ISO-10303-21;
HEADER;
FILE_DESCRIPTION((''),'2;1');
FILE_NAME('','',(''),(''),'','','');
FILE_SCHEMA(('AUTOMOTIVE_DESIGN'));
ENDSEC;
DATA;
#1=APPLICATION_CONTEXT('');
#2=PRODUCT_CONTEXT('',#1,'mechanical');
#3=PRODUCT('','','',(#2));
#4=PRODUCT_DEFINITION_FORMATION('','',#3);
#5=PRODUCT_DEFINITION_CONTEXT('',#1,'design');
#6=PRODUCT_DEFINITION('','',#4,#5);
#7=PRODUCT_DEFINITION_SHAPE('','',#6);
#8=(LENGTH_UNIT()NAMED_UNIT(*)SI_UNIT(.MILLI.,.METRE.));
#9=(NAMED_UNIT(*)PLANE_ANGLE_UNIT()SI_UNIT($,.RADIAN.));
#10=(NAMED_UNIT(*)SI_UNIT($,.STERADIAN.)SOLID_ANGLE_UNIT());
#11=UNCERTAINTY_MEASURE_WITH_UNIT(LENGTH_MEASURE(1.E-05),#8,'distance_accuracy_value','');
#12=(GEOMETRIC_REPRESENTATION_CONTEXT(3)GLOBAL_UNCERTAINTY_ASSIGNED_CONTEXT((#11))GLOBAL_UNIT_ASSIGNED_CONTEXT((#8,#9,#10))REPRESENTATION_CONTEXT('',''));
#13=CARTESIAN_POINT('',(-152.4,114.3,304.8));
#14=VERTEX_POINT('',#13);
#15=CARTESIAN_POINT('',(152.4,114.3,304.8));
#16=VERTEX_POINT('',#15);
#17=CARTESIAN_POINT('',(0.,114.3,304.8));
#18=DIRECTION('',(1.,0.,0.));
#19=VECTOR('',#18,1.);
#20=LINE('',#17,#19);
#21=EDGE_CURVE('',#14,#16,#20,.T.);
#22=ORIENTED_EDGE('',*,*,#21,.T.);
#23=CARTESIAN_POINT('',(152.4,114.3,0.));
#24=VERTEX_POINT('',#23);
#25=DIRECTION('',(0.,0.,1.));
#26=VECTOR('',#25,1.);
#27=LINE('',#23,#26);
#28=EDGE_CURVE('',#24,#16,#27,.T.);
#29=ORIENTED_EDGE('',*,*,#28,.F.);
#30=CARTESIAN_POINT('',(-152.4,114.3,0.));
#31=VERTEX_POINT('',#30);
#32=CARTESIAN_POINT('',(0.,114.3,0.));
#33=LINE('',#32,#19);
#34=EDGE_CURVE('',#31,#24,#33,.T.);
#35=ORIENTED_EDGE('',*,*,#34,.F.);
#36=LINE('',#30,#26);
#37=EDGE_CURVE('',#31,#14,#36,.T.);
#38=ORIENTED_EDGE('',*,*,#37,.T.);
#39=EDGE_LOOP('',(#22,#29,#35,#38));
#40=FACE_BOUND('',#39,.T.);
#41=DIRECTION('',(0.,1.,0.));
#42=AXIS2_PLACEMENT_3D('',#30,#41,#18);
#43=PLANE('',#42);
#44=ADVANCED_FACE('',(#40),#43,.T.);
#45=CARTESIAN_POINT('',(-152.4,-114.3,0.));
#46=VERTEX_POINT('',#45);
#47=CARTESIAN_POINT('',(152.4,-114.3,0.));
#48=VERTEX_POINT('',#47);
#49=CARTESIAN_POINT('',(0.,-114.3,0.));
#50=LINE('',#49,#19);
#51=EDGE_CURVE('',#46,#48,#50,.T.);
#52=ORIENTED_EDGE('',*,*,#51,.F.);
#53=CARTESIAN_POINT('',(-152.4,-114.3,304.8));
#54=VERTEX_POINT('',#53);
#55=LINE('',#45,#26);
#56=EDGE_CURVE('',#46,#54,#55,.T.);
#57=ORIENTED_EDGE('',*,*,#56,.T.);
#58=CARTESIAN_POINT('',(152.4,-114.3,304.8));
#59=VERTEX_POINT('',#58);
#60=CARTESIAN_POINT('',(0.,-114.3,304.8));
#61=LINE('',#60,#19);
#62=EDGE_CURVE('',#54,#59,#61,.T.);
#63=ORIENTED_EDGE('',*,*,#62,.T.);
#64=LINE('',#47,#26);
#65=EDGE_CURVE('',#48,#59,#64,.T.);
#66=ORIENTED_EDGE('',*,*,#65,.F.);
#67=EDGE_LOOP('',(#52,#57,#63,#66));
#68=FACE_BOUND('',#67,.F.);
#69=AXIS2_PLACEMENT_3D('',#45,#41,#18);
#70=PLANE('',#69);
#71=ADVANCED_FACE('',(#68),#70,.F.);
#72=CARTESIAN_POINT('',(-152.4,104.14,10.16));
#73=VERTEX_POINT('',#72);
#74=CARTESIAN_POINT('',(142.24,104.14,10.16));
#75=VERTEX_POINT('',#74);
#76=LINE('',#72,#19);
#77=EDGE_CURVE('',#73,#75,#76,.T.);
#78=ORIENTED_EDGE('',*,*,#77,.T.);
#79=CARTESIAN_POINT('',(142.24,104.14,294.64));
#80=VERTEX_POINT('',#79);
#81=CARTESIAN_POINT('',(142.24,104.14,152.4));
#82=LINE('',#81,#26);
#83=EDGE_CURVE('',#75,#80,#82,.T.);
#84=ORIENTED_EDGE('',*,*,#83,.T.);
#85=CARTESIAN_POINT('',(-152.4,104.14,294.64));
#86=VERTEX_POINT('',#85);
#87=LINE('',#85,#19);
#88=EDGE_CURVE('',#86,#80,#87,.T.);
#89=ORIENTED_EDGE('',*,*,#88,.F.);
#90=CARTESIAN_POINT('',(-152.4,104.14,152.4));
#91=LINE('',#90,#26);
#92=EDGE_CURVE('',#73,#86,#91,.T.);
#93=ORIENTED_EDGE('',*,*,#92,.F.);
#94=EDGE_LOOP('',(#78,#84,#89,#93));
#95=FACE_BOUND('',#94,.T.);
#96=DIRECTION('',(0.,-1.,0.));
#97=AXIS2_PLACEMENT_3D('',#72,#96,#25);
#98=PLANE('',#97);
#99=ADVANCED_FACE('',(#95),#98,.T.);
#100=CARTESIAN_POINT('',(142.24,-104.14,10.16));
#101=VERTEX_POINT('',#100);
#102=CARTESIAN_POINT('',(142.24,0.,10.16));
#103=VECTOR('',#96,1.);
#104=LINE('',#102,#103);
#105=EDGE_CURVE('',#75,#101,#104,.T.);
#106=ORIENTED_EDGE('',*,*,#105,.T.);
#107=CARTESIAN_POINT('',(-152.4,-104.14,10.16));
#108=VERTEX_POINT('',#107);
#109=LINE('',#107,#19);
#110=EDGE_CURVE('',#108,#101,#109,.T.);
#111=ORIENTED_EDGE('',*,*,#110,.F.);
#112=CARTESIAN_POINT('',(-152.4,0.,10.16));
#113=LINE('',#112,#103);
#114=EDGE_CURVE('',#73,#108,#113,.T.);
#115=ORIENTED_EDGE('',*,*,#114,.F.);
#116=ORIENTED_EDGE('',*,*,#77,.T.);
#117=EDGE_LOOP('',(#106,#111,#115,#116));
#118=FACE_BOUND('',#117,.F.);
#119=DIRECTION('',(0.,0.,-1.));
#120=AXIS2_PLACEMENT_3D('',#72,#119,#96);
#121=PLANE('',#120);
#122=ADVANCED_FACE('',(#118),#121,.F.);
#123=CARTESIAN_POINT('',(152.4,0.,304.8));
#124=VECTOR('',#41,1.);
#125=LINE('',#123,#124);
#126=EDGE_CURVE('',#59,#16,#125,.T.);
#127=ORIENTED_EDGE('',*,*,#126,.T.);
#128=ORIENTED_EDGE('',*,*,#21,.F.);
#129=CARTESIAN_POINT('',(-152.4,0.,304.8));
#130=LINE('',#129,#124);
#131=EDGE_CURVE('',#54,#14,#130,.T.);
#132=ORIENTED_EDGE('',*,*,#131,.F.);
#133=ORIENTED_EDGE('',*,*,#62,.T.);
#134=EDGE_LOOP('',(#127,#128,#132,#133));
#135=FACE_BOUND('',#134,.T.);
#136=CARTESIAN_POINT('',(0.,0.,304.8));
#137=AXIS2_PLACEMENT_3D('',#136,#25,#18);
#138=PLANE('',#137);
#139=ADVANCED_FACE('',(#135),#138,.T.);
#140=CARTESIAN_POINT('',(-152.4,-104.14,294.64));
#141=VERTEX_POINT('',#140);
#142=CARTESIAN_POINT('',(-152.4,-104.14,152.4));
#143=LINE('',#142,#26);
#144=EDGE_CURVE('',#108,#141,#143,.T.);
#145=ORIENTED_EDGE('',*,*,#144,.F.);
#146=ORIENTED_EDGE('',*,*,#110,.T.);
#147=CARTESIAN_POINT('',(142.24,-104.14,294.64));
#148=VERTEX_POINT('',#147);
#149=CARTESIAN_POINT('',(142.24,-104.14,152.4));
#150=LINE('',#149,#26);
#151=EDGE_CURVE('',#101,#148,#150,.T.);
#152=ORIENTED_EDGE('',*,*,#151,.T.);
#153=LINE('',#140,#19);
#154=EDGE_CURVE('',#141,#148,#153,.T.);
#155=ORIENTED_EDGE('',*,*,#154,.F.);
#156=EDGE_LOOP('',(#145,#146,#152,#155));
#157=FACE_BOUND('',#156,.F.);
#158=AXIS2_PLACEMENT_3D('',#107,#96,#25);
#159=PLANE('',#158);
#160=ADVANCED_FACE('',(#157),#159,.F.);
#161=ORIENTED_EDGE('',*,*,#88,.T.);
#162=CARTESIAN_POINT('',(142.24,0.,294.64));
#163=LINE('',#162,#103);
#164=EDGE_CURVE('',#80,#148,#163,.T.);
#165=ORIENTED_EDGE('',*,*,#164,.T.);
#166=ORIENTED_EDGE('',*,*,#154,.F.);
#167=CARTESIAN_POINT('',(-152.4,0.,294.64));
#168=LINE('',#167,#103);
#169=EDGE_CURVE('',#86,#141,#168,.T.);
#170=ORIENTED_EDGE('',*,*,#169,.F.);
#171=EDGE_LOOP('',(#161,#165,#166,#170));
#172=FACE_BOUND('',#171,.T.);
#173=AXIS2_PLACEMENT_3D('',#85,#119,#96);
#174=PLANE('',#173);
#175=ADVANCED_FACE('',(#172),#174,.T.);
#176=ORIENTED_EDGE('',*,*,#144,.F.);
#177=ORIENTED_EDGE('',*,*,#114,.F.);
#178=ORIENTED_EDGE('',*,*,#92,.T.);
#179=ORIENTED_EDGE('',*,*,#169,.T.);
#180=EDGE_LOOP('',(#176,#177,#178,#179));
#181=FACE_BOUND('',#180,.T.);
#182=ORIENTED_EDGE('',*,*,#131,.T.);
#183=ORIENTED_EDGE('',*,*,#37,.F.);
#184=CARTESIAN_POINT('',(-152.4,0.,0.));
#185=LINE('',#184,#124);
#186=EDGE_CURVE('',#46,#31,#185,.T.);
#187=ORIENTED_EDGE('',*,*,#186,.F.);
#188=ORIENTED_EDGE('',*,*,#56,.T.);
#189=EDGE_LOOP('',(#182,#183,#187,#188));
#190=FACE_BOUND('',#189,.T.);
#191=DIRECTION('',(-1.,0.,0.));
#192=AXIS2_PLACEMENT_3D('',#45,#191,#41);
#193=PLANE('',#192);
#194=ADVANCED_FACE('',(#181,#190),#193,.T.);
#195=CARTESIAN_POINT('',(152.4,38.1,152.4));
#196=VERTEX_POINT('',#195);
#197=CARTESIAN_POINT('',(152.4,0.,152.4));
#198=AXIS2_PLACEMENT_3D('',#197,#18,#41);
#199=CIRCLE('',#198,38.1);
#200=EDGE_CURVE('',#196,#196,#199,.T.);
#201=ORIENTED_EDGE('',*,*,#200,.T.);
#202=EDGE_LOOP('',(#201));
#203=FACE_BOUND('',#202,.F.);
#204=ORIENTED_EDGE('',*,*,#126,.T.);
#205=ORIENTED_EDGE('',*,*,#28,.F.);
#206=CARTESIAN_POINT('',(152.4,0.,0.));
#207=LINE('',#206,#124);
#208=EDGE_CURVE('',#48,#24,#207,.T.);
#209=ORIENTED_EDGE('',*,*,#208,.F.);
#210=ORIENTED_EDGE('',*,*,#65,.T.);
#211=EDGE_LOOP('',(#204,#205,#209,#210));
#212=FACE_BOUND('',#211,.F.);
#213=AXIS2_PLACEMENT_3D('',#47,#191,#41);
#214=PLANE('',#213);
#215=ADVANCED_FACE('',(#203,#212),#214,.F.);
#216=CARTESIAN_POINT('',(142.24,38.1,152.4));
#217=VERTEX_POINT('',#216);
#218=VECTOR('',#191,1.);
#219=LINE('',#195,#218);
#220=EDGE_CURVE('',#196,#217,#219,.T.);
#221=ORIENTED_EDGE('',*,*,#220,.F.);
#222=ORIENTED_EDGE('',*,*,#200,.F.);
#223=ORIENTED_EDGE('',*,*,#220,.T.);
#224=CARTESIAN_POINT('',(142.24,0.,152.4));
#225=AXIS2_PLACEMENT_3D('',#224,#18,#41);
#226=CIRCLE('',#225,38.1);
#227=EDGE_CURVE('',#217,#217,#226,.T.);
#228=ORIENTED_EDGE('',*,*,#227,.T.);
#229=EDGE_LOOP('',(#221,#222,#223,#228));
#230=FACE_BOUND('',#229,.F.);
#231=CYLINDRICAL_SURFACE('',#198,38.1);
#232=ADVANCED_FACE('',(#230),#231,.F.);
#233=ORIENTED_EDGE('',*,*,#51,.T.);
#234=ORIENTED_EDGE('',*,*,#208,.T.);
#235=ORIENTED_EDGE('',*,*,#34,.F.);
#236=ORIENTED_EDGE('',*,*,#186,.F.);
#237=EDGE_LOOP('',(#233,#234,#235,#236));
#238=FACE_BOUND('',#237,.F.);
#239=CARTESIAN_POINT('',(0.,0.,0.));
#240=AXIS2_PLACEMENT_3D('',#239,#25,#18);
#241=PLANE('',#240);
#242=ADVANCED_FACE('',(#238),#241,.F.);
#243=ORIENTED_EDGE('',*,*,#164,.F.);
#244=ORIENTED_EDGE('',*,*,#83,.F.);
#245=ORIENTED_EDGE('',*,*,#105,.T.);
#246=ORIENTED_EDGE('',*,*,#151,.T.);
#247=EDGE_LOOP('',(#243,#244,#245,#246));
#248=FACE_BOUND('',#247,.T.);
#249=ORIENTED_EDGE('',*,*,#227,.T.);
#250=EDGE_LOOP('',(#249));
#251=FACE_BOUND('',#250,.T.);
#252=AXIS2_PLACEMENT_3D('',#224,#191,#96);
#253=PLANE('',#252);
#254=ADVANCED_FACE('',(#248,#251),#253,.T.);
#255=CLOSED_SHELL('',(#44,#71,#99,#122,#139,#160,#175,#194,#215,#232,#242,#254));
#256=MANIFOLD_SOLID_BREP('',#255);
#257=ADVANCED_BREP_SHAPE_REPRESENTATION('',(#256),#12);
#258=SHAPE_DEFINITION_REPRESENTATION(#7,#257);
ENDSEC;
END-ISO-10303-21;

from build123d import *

# Parameters (mm, degrees)
F0_W     = 304.8
F0_H     = 228.6
F1_DEPTH = 304.8
F2_W     = 208.28
F2_H     = 284.48
F3_DEPTH = 294.64
F4_R     = 38.1
F5_DEPTH = 25.4


with BuildPart() as f1:
    # F0 (on Top) → F1 (new body)
    with BuildSketch(Plane.XY):
        Rectangle(F0_W, F0_H)
    extrude(amount=F1_DEPTH)

    # F2 (on face) → F3 (cut)
    with BuildSketch(Plane(origin=(-152.4, 0, 0), x_dir=(0, -1, 0), z_dir=(-1, 0, 0))):
        with Locations((0, 152.4)):
            Rectangle(F2_W, F2_H)
    extrude(amount=-F3_DEPTH, mode=Mode.SUBTRACT)

    # F4 (on face) → F5 (cut)
    with BuildSketch(Plane.YZ.offset(152.4)):
        with Locations((0, 152.4)):
            Circle(F4_R)
    extrude(amount=-F5_DEPTH, mode=Mode.SUBTRACT)


solid = f1.part
